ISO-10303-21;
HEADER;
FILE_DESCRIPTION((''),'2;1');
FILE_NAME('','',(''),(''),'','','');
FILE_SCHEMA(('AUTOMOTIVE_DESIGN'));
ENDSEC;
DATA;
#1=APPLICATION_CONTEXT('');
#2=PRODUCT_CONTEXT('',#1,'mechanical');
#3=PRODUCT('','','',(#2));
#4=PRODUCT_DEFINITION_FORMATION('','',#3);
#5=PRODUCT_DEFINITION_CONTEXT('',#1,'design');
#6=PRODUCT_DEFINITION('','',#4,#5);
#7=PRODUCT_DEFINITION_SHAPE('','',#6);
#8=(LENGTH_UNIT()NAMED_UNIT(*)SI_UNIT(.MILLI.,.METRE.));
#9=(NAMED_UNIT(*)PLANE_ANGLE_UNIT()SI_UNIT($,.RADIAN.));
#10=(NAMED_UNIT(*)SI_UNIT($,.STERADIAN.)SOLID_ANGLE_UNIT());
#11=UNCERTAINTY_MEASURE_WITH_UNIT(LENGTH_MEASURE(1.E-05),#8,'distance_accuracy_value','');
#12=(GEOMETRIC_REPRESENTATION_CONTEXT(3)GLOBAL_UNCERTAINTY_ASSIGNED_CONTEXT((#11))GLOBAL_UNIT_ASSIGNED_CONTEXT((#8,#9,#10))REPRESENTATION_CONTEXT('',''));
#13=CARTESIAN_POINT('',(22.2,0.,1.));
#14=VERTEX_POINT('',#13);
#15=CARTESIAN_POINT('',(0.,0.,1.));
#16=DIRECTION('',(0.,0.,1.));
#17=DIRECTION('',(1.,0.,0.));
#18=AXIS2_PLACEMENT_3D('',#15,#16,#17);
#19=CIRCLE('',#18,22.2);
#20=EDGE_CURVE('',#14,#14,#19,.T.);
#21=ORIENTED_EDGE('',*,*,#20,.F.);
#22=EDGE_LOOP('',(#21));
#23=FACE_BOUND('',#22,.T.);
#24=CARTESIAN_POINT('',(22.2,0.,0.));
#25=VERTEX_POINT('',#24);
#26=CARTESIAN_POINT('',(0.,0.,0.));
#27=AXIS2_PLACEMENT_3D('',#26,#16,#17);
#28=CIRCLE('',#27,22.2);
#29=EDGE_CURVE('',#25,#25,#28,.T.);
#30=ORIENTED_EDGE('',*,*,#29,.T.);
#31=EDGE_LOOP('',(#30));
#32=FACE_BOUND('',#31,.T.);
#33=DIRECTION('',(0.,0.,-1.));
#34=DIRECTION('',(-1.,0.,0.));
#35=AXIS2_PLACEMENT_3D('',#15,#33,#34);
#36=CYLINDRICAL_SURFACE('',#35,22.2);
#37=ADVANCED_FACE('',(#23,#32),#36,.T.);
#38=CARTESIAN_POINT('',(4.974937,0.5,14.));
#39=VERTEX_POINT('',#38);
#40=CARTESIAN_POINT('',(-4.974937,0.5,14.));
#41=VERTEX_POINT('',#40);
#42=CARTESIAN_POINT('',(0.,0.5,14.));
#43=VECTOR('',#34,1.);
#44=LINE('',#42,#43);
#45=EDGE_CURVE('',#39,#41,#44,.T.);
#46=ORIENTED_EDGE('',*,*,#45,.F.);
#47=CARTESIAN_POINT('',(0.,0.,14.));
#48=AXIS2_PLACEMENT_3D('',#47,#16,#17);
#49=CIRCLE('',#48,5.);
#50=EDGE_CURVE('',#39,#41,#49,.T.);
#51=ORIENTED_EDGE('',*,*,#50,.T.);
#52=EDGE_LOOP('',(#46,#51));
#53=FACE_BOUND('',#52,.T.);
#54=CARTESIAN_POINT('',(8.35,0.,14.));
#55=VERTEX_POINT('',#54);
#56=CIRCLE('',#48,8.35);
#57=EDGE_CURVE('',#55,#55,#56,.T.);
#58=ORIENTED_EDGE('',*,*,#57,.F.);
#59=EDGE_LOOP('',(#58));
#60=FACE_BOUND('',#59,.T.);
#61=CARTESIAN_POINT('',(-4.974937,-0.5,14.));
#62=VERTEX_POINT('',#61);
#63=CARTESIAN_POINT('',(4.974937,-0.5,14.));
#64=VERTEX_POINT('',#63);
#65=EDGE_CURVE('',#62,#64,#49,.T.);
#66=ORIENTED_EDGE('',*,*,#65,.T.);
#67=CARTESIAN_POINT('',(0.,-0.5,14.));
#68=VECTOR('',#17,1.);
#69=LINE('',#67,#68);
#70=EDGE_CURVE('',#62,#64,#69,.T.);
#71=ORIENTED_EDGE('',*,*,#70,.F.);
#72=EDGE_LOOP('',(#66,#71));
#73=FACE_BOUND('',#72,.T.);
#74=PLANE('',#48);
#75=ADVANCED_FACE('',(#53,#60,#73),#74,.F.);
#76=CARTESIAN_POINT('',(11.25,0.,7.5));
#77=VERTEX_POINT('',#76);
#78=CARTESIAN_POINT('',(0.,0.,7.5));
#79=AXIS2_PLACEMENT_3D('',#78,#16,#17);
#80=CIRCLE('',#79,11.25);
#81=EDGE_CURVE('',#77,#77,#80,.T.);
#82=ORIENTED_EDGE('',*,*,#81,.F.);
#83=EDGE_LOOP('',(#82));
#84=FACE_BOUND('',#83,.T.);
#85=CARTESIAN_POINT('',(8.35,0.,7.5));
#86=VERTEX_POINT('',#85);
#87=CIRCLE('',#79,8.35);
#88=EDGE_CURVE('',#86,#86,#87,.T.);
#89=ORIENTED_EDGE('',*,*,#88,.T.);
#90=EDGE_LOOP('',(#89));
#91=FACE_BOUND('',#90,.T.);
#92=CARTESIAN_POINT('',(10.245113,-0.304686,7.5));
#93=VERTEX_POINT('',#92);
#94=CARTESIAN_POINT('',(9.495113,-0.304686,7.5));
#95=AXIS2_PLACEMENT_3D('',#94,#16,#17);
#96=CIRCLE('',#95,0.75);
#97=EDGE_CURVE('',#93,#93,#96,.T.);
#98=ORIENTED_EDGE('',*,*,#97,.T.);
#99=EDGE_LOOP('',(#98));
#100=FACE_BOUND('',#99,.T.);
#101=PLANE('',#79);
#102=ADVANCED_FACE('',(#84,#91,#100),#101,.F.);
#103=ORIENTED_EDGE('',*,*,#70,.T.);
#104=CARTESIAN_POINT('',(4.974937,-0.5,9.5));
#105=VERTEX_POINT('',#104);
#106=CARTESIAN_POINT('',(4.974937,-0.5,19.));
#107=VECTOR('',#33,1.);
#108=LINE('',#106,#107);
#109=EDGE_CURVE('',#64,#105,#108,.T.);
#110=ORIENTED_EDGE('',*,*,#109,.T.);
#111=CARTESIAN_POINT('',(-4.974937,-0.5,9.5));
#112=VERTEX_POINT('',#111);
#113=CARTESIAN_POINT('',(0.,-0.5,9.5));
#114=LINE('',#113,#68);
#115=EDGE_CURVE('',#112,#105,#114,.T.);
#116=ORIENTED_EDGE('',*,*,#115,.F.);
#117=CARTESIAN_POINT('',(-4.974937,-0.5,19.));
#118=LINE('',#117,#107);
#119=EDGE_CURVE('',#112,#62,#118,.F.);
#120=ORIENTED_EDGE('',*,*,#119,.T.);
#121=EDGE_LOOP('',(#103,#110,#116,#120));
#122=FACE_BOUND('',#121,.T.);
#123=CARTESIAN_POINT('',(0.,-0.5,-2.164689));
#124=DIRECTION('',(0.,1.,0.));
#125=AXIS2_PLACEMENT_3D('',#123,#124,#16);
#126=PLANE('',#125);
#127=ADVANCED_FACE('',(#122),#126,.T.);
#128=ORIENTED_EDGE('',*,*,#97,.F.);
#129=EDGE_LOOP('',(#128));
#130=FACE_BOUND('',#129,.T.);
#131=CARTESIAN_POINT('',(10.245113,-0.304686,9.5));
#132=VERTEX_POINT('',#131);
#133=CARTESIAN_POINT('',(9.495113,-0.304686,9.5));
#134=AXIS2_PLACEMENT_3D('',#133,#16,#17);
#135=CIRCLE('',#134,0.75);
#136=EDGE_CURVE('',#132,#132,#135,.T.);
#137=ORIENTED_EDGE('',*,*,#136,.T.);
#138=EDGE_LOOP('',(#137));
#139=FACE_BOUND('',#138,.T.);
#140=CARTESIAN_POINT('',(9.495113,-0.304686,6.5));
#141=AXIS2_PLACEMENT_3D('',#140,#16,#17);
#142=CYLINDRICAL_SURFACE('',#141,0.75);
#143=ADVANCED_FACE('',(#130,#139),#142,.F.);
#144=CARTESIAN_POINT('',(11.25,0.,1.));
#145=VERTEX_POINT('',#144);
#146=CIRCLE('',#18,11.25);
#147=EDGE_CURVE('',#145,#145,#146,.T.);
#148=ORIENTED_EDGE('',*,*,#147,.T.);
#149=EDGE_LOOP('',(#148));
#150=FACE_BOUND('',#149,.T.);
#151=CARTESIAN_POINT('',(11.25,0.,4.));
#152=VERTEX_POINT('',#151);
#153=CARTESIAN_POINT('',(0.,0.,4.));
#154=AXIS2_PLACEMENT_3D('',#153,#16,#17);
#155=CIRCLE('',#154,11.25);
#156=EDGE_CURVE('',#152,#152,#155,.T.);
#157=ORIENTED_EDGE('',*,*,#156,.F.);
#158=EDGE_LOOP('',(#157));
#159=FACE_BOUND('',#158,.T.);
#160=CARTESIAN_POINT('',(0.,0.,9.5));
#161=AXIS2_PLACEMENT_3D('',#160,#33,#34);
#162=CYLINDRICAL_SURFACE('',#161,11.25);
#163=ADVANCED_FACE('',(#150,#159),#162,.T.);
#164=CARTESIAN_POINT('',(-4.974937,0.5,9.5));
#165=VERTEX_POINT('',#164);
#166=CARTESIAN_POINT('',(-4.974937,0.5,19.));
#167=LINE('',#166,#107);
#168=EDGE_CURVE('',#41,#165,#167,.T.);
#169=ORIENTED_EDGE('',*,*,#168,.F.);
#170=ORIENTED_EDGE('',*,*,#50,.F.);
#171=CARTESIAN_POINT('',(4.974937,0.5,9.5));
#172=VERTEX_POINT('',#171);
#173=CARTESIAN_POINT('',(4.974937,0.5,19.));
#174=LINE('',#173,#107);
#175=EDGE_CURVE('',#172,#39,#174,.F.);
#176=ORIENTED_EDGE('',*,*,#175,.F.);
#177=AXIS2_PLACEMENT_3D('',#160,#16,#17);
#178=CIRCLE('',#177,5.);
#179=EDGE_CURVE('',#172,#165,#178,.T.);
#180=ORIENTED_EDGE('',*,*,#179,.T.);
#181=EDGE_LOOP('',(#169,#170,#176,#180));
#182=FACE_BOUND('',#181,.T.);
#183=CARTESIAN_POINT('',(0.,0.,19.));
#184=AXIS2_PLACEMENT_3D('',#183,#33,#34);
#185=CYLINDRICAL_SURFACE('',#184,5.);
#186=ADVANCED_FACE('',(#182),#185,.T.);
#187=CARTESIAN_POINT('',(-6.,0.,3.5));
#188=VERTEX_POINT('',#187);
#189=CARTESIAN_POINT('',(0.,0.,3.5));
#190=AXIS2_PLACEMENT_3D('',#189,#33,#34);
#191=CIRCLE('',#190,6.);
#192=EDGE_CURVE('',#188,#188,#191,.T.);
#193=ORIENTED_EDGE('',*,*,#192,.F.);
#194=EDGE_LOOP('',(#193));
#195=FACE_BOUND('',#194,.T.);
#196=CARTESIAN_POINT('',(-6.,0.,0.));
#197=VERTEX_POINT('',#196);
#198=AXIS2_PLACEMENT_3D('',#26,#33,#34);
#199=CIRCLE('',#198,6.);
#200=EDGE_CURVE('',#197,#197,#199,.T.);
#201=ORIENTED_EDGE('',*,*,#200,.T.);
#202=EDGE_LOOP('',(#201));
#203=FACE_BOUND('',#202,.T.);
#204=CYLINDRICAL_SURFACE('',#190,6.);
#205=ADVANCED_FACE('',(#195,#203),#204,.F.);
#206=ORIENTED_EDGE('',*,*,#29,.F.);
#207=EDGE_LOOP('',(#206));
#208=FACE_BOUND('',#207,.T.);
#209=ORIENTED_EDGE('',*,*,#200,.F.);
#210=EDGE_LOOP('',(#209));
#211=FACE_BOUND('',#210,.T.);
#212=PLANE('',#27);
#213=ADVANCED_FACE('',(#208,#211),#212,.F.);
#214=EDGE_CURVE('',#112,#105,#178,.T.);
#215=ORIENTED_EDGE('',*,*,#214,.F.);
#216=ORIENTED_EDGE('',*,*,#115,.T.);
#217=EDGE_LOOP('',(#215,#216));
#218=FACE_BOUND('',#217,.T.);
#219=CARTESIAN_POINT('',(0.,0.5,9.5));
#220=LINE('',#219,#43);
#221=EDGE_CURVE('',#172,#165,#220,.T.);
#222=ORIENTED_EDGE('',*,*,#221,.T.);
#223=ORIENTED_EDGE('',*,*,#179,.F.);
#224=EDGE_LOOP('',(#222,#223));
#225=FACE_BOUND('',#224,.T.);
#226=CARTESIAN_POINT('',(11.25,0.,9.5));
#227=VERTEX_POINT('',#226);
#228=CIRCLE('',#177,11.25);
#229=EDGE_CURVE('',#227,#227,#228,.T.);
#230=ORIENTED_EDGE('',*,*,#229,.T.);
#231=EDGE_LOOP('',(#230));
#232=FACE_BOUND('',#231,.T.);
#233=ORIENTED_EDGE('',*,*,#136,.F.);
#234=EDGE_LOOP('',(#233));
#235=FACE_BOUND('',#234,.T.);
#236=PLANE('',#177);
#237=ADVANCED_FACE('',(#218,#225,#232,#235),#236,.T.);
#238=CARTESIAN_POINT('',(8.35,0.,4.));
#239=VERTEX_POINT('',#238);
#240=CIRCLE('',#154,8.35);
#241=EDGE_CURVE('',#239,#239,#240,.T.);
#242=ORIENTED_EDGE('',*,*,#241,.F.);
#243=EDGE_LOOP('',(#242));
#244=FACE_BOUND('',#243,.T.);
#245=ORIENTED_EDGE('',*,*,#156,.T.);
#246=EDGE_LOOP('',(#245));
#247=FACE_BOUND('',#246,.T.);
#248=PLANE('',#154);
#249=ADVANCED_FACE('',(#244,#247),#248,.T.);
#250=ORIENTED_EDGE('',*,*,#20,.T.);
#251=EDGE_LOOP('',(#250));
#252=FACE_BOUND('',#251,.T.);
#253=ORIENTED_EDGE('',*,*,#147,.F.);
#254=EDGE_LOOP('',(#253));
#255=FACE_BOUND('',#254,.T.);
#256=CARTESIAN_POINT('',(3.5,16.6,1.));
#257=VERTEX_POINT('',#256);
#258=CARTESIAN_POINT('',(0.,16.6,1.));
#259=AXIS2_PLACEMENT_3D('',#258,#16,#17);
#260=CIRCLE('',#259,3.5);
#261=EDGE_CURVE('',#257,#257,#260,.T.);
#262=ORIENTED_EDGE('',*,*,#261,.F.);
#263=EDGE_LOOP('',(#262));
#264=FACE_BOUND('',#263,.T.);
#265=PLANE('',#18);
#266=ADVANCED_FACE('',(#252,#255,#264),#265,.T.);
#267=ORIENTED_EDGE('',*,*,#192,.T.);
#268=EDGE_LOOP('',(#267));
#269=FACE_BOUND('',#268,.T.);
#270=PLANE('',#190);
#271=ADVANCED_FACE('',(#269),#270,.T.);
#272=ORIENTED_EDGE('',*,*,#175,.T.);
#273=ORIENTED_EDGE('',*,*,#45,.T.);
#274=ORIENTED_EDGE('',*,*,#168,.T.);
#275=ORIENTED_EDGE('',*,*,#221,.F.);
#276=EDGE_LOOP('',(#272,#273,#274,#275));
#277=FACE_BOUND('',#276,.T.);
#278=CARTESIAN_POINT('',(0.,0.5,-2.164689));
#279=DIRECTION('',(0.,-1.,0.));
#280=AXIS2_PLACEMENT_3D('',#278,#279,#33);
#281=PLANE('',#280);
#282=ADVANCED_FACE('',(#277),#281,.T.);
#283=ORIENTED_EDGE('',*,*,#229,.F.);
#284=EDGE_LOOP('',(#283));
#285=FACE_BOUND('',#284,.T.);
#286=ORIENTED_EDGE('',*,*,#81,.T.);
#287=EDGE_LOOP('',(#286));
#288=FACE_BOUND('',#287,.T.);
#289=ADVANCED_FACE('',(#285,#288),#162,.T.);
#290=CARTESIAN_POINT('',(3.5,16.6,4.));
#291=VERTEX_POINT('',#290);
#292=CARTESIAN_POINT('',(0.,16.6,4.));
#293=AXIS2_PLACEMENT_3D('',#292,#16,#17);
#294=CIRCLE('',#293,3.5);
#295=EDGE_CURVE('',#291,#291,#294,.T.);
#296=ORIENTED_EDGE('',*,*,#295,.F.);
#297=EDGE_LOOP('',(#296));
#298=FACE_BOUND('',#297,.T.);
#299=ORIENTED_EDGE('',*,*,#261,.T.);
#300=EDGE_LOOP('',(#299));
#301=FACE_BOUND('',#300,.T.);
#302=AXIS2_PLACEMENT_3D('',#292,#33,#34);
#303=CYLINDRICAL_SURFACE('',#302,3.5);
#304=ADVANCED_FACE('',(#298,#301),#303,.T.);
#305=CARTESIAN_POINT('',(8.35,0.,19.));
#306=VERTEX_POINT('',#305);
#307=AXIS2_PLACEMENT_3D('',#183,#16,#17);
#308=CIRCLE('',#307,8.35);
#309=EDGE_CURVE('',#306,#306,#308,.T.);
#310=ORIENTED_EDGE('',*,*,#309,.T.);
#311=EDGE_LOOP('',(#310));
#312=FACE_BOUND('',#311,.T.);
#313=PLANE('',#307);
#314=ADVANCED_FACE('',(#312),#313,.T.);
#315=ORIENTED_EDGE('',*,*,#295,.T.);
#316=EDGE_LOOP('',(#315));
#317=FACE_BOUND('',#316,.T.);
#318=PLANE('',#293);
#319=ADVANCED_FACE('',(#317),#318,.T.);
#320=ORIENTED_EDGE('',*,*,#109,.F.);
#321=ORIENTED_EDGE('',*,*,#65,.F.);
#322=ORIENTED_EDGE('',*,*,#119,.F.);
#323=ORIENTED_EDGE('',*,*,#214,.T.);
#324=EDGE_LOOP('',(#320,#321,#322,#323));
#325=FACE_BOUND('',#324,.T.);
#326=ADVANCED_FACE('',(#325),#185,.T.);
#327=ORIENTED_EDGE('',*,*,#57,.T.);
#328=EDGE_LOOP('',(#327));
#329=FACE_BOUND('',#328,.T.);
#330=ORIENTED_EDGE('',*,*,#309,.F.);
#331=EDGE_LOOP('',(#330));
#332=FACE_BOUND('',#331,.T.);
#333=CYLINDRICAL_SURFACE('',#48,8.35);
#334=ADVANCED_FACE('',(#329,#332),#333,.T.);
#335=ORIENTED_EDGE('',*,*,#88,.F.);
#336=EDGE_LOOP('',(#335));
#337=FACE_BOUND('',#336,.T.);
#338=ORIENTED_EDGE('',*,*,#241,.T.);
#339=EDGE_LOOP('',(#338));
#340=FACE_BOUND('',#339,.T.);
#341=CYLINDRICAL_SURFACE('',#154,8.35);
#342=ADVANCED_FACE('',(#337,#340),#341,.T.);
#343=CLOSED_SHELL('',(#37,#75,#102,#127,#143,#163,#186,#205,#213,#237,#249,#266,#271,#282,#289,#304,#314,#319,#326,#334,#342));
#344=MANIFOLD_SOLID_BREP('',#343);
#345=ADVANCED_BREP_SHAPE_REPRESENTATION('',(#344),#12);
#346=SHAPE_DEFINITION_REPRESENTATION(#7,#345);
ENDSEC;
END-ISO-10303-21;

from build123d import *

# Parameters (mm, degrees)
SKETCH1_R           = 22.2
BOSS_EXTRUDE1_DEPTH = 1
BOSS_EXTRUDE2_START = 1
SKETCH2_R           = 11.25
BOSS_EXTRUDE2_DEPTH = 8.5
BOSS_EXTRUDE3_START = 9.5
SKETCH3_R           = 5
BOSS_EXTRUDE3_DEPTH = 9.5
CUT_EXTRUDE1_START  = 19
SKETCH4_W           = 11.621745696
SKETCH4_H           = 1
CUT_EXTRUDE1_DEPTH  = 9.5
BOSS_EXTRUDE4_START = 1
SKETCH5_R           = 3.5
BOSS_EXTRUDE4_DEPTH = 3
SKETCH6_R           = 6
CUT_EXTRUDE2_DEPTH  = 3.5
SKETCH9_R           = 8.35
BOSS_EXTRUDE5_DEPTH = 5
CUT_EXTRUDE7_START  = -2
SKETCH10_R          = 11.25
SKETCH10_R_2        = 8.35
CUT_EXTRUDE7_DEPTH  = 3.5
SKETCH11_R          = 0.75
CUT_EXTRUDE8_DEPTH  = 3


with BuildPart() as part:
    # Sketch1 → Boss-Extrude1 (new body)
    with BuildSketch(Plane.XY):
        Circle(SKETCH1_R)
    extrude(amount=BOSS_EXTRUDE1_DEPTH)

    # Sketch2 → Boss-Extrude2 (add)
    with BuildSketch(Plane.XY.offset(BOSS_EXTRUDE2_START)):
        Circle(SKETCH2_R)
    extrude(amount=BOSS_EXTRUDE2_DEPTH)

    # Sketch3 → Boss-Extrude3 (add)
    with BuildSketch(Plane.XY.offset(BOSS_EXTRUDE3_START)):
        Circle(SKETCH3_R)
    extrude(amount=BOSS_EXTRUDE3_DEPTH)

    # Sketch4 → Cut-Extrude1 (cut)
    with BuildSketch(Plane.XY.offset(CUT_EXTRUDE1_START)):
        Rectangle(SKETCH4_W, SKETCH4_H)
    extrude(amount=-CUT_EXTRUDE1_DEPTH, mode=Mode.SUBTRACT)

    # Sketch5 → Boss-Extrude4 (add)
    with BuildSketch(Plane.XY.offset(BOSS_EXTRUDE4_START)):
        with Locations((0, 16.6)):
            Circle(SKETCH5_R)
    extrude(amount=BOSS_EXTRUDE4_DEPTH)

    # Sketch6 → Cut-Extrude2 (cut)
    with BuildSketch(Plane(origin=(0, 0, 0), x_dir=(-1, 0, 0), z_dir=(0, 0, -1))):
        Circle(SKETCH6_R)
    extrude(amount=-CUT_EXTRUDE2_DEPTH, mode=Mode.SUBTRACT)

    # Sketch9 → Boss-Extrude5 (add)
    with BuildSketch(Plane.XY.offset(19)):
        Circle(SKETCH9_R)
    extrude(amount=-BOSS_EXTRUDE5_DEPTH)

    # Sketch10 → Cut-Extrude7 (cut)
    with BuildSketch(Plane.XY.offset(9.5).offset(CUT_EXTRUDE7_START)):
        Circle(SKETCH10_R)
        Circle(SKETCH10_R_2, mode=Mode.SUBTRACT)
    extrude(amount=-CUT_EXTRUDE7_DEPTH, mode=Mode.SUBTRACT)

    # Sketch11 → Cut-Extrude8 (cut)
    with BuildSketch(Plane.XY.offset(9.5)):
        with Locations((9.495112761, -0.304686158)):
            Circle(SKETCH11_R)
    extrude(amount=-CUT_EXTRUDE8_DEPTH, mode=Mode.SUBTRACT)


solid = part.part
